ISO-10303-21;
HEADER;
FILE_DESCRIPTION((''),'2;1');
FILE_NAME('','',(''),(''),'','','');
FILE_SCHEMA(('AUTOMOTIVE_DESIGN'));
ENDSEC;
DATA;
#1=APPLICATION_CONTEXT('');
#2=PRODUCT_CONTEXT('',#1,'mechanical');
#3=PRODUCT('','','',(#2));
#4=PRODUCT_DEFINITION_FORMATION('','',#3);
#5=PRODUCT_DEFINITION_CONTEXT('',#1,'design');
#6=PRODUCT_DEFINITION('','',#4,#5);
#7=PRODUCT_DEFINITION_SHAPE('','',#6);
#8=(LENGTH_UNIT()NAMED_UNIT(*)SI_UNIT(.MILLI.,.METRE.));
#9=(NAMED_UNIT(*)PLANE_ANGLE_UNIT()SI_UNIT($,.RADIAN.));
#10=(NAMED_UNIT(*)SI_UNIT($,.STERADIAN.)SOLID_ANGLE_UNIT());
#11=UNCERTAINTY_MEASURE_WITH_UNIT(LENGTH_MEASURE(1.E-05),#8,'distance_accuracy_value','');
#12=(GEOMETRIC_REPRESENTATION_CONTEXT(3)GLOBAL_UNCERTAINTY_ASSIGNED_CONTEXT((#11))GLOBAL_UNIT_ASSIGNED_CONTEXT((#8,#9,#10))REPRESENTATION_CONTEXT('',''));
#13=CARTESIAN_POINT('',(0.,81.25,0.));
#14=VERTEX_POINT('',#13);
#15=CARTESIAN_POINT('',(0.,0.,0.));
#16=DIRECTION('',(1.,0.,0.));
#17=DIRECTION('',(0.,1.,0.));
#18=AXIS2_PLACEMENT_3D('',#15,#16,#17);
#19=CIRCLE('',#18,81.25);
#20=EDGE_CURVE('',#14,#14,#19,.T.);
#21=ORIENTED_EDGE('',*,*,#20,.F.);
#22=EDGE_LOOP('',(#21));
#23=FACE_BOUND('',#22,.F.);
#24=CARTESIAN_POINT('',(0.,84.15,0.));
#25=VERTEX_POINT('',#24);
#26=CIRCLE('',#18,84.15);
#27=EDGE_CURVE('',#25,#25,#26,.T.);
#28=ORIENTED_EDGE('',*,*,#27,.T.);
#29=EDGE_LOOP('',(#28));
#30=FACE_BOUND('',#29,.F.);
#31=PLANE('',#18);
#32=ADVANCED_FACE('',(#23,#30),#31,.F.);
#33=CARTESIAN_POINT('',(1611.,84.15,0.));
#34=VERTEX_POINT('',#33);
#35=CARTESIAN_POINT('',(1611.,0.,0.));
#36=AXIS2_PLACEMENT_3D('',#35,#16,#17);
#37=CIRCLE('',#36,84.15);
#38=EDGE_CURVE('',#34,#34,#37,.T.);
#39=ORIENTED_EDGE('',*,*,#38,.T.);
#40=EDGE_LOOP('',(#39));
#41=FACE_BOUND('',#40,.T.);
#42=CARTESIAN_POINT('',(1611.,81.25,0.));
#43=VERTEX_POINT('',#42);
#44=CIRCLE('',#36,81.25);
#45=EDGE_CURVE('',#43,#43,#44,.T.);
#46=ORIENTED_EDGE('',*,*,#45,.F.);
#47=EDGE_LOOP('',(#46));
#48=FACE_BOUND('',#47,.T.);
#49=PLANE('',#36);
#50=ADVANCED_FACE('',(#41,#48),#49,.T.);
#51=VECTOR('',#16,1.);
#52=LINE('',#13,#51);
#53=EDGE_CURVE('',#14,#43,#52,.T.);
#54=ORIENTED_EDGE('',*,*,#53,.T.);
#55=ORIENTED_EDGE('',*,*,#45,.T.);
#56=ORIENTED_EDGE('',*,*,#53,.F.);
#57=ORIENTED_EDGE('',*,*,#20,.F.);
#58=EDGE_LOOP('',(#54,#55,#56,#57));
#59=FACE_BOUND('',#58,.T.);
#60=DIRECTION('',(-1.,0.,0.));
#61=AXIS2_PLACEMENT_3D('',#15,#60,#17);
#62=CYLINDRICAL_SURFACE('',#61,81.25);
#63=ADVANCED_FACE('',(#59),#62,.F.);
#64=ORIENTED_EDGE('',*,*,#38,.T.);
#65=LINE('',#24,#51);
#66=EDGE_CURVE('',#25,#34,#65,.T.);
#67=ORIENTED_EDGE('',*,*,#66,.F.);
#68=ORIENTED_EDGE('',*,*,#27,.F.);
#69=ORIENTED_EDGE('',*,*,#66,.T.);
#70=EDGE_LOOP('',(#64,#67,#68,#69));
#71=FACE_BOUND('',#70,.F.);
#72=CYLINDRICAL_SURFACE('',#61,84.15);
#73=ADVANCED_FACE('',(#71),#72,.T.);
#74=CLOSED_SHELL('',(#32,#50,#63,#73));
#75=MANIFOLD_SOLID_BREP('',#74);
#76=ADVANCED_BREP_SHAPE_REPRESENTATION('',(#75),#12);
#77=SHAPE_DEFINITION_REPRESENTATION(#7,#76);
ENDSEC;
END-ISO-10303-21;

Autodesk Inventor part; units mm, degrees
ref_plane "YZ Plane" through (0, 0, 0) normal (1, 0, 0) x (0, 1, 0)
ref_plane "XZ Plane" through (0, 0, 0) normal (0, 1, 0) x (-1, 0, 0)
ref_plane "XY Plane" through (0, 0, 0) normal (0, 0, 1) x (1, 0, 0)
sketch "Sketch1" plane through (0, 0, 0) normal (1, 0, 0) x (0, 1, 0)
  circle A0 centre (0, 0) radius 84.15
  circle A1 centre (0, 0) radius 81.25
  dimension "d0" = 168.3
  dimension "d1" = 2.9
extrude "Extrusion1" add sketch "Sketch1" along normal blind 1611
equation "\"d0\" = OD"
equation "\"d1\" = t"
equation "\"d2\" = L"
equation "\"OD\" = 168.3"
equation "\"t\" = 2.9"
equation "\"L\" = PL"
equation "\"ID\" = 162.5"
equation "\"PL\" = 1611"
equation "\"Size_Designation\" = 1.2345"
properties material "Steel"
